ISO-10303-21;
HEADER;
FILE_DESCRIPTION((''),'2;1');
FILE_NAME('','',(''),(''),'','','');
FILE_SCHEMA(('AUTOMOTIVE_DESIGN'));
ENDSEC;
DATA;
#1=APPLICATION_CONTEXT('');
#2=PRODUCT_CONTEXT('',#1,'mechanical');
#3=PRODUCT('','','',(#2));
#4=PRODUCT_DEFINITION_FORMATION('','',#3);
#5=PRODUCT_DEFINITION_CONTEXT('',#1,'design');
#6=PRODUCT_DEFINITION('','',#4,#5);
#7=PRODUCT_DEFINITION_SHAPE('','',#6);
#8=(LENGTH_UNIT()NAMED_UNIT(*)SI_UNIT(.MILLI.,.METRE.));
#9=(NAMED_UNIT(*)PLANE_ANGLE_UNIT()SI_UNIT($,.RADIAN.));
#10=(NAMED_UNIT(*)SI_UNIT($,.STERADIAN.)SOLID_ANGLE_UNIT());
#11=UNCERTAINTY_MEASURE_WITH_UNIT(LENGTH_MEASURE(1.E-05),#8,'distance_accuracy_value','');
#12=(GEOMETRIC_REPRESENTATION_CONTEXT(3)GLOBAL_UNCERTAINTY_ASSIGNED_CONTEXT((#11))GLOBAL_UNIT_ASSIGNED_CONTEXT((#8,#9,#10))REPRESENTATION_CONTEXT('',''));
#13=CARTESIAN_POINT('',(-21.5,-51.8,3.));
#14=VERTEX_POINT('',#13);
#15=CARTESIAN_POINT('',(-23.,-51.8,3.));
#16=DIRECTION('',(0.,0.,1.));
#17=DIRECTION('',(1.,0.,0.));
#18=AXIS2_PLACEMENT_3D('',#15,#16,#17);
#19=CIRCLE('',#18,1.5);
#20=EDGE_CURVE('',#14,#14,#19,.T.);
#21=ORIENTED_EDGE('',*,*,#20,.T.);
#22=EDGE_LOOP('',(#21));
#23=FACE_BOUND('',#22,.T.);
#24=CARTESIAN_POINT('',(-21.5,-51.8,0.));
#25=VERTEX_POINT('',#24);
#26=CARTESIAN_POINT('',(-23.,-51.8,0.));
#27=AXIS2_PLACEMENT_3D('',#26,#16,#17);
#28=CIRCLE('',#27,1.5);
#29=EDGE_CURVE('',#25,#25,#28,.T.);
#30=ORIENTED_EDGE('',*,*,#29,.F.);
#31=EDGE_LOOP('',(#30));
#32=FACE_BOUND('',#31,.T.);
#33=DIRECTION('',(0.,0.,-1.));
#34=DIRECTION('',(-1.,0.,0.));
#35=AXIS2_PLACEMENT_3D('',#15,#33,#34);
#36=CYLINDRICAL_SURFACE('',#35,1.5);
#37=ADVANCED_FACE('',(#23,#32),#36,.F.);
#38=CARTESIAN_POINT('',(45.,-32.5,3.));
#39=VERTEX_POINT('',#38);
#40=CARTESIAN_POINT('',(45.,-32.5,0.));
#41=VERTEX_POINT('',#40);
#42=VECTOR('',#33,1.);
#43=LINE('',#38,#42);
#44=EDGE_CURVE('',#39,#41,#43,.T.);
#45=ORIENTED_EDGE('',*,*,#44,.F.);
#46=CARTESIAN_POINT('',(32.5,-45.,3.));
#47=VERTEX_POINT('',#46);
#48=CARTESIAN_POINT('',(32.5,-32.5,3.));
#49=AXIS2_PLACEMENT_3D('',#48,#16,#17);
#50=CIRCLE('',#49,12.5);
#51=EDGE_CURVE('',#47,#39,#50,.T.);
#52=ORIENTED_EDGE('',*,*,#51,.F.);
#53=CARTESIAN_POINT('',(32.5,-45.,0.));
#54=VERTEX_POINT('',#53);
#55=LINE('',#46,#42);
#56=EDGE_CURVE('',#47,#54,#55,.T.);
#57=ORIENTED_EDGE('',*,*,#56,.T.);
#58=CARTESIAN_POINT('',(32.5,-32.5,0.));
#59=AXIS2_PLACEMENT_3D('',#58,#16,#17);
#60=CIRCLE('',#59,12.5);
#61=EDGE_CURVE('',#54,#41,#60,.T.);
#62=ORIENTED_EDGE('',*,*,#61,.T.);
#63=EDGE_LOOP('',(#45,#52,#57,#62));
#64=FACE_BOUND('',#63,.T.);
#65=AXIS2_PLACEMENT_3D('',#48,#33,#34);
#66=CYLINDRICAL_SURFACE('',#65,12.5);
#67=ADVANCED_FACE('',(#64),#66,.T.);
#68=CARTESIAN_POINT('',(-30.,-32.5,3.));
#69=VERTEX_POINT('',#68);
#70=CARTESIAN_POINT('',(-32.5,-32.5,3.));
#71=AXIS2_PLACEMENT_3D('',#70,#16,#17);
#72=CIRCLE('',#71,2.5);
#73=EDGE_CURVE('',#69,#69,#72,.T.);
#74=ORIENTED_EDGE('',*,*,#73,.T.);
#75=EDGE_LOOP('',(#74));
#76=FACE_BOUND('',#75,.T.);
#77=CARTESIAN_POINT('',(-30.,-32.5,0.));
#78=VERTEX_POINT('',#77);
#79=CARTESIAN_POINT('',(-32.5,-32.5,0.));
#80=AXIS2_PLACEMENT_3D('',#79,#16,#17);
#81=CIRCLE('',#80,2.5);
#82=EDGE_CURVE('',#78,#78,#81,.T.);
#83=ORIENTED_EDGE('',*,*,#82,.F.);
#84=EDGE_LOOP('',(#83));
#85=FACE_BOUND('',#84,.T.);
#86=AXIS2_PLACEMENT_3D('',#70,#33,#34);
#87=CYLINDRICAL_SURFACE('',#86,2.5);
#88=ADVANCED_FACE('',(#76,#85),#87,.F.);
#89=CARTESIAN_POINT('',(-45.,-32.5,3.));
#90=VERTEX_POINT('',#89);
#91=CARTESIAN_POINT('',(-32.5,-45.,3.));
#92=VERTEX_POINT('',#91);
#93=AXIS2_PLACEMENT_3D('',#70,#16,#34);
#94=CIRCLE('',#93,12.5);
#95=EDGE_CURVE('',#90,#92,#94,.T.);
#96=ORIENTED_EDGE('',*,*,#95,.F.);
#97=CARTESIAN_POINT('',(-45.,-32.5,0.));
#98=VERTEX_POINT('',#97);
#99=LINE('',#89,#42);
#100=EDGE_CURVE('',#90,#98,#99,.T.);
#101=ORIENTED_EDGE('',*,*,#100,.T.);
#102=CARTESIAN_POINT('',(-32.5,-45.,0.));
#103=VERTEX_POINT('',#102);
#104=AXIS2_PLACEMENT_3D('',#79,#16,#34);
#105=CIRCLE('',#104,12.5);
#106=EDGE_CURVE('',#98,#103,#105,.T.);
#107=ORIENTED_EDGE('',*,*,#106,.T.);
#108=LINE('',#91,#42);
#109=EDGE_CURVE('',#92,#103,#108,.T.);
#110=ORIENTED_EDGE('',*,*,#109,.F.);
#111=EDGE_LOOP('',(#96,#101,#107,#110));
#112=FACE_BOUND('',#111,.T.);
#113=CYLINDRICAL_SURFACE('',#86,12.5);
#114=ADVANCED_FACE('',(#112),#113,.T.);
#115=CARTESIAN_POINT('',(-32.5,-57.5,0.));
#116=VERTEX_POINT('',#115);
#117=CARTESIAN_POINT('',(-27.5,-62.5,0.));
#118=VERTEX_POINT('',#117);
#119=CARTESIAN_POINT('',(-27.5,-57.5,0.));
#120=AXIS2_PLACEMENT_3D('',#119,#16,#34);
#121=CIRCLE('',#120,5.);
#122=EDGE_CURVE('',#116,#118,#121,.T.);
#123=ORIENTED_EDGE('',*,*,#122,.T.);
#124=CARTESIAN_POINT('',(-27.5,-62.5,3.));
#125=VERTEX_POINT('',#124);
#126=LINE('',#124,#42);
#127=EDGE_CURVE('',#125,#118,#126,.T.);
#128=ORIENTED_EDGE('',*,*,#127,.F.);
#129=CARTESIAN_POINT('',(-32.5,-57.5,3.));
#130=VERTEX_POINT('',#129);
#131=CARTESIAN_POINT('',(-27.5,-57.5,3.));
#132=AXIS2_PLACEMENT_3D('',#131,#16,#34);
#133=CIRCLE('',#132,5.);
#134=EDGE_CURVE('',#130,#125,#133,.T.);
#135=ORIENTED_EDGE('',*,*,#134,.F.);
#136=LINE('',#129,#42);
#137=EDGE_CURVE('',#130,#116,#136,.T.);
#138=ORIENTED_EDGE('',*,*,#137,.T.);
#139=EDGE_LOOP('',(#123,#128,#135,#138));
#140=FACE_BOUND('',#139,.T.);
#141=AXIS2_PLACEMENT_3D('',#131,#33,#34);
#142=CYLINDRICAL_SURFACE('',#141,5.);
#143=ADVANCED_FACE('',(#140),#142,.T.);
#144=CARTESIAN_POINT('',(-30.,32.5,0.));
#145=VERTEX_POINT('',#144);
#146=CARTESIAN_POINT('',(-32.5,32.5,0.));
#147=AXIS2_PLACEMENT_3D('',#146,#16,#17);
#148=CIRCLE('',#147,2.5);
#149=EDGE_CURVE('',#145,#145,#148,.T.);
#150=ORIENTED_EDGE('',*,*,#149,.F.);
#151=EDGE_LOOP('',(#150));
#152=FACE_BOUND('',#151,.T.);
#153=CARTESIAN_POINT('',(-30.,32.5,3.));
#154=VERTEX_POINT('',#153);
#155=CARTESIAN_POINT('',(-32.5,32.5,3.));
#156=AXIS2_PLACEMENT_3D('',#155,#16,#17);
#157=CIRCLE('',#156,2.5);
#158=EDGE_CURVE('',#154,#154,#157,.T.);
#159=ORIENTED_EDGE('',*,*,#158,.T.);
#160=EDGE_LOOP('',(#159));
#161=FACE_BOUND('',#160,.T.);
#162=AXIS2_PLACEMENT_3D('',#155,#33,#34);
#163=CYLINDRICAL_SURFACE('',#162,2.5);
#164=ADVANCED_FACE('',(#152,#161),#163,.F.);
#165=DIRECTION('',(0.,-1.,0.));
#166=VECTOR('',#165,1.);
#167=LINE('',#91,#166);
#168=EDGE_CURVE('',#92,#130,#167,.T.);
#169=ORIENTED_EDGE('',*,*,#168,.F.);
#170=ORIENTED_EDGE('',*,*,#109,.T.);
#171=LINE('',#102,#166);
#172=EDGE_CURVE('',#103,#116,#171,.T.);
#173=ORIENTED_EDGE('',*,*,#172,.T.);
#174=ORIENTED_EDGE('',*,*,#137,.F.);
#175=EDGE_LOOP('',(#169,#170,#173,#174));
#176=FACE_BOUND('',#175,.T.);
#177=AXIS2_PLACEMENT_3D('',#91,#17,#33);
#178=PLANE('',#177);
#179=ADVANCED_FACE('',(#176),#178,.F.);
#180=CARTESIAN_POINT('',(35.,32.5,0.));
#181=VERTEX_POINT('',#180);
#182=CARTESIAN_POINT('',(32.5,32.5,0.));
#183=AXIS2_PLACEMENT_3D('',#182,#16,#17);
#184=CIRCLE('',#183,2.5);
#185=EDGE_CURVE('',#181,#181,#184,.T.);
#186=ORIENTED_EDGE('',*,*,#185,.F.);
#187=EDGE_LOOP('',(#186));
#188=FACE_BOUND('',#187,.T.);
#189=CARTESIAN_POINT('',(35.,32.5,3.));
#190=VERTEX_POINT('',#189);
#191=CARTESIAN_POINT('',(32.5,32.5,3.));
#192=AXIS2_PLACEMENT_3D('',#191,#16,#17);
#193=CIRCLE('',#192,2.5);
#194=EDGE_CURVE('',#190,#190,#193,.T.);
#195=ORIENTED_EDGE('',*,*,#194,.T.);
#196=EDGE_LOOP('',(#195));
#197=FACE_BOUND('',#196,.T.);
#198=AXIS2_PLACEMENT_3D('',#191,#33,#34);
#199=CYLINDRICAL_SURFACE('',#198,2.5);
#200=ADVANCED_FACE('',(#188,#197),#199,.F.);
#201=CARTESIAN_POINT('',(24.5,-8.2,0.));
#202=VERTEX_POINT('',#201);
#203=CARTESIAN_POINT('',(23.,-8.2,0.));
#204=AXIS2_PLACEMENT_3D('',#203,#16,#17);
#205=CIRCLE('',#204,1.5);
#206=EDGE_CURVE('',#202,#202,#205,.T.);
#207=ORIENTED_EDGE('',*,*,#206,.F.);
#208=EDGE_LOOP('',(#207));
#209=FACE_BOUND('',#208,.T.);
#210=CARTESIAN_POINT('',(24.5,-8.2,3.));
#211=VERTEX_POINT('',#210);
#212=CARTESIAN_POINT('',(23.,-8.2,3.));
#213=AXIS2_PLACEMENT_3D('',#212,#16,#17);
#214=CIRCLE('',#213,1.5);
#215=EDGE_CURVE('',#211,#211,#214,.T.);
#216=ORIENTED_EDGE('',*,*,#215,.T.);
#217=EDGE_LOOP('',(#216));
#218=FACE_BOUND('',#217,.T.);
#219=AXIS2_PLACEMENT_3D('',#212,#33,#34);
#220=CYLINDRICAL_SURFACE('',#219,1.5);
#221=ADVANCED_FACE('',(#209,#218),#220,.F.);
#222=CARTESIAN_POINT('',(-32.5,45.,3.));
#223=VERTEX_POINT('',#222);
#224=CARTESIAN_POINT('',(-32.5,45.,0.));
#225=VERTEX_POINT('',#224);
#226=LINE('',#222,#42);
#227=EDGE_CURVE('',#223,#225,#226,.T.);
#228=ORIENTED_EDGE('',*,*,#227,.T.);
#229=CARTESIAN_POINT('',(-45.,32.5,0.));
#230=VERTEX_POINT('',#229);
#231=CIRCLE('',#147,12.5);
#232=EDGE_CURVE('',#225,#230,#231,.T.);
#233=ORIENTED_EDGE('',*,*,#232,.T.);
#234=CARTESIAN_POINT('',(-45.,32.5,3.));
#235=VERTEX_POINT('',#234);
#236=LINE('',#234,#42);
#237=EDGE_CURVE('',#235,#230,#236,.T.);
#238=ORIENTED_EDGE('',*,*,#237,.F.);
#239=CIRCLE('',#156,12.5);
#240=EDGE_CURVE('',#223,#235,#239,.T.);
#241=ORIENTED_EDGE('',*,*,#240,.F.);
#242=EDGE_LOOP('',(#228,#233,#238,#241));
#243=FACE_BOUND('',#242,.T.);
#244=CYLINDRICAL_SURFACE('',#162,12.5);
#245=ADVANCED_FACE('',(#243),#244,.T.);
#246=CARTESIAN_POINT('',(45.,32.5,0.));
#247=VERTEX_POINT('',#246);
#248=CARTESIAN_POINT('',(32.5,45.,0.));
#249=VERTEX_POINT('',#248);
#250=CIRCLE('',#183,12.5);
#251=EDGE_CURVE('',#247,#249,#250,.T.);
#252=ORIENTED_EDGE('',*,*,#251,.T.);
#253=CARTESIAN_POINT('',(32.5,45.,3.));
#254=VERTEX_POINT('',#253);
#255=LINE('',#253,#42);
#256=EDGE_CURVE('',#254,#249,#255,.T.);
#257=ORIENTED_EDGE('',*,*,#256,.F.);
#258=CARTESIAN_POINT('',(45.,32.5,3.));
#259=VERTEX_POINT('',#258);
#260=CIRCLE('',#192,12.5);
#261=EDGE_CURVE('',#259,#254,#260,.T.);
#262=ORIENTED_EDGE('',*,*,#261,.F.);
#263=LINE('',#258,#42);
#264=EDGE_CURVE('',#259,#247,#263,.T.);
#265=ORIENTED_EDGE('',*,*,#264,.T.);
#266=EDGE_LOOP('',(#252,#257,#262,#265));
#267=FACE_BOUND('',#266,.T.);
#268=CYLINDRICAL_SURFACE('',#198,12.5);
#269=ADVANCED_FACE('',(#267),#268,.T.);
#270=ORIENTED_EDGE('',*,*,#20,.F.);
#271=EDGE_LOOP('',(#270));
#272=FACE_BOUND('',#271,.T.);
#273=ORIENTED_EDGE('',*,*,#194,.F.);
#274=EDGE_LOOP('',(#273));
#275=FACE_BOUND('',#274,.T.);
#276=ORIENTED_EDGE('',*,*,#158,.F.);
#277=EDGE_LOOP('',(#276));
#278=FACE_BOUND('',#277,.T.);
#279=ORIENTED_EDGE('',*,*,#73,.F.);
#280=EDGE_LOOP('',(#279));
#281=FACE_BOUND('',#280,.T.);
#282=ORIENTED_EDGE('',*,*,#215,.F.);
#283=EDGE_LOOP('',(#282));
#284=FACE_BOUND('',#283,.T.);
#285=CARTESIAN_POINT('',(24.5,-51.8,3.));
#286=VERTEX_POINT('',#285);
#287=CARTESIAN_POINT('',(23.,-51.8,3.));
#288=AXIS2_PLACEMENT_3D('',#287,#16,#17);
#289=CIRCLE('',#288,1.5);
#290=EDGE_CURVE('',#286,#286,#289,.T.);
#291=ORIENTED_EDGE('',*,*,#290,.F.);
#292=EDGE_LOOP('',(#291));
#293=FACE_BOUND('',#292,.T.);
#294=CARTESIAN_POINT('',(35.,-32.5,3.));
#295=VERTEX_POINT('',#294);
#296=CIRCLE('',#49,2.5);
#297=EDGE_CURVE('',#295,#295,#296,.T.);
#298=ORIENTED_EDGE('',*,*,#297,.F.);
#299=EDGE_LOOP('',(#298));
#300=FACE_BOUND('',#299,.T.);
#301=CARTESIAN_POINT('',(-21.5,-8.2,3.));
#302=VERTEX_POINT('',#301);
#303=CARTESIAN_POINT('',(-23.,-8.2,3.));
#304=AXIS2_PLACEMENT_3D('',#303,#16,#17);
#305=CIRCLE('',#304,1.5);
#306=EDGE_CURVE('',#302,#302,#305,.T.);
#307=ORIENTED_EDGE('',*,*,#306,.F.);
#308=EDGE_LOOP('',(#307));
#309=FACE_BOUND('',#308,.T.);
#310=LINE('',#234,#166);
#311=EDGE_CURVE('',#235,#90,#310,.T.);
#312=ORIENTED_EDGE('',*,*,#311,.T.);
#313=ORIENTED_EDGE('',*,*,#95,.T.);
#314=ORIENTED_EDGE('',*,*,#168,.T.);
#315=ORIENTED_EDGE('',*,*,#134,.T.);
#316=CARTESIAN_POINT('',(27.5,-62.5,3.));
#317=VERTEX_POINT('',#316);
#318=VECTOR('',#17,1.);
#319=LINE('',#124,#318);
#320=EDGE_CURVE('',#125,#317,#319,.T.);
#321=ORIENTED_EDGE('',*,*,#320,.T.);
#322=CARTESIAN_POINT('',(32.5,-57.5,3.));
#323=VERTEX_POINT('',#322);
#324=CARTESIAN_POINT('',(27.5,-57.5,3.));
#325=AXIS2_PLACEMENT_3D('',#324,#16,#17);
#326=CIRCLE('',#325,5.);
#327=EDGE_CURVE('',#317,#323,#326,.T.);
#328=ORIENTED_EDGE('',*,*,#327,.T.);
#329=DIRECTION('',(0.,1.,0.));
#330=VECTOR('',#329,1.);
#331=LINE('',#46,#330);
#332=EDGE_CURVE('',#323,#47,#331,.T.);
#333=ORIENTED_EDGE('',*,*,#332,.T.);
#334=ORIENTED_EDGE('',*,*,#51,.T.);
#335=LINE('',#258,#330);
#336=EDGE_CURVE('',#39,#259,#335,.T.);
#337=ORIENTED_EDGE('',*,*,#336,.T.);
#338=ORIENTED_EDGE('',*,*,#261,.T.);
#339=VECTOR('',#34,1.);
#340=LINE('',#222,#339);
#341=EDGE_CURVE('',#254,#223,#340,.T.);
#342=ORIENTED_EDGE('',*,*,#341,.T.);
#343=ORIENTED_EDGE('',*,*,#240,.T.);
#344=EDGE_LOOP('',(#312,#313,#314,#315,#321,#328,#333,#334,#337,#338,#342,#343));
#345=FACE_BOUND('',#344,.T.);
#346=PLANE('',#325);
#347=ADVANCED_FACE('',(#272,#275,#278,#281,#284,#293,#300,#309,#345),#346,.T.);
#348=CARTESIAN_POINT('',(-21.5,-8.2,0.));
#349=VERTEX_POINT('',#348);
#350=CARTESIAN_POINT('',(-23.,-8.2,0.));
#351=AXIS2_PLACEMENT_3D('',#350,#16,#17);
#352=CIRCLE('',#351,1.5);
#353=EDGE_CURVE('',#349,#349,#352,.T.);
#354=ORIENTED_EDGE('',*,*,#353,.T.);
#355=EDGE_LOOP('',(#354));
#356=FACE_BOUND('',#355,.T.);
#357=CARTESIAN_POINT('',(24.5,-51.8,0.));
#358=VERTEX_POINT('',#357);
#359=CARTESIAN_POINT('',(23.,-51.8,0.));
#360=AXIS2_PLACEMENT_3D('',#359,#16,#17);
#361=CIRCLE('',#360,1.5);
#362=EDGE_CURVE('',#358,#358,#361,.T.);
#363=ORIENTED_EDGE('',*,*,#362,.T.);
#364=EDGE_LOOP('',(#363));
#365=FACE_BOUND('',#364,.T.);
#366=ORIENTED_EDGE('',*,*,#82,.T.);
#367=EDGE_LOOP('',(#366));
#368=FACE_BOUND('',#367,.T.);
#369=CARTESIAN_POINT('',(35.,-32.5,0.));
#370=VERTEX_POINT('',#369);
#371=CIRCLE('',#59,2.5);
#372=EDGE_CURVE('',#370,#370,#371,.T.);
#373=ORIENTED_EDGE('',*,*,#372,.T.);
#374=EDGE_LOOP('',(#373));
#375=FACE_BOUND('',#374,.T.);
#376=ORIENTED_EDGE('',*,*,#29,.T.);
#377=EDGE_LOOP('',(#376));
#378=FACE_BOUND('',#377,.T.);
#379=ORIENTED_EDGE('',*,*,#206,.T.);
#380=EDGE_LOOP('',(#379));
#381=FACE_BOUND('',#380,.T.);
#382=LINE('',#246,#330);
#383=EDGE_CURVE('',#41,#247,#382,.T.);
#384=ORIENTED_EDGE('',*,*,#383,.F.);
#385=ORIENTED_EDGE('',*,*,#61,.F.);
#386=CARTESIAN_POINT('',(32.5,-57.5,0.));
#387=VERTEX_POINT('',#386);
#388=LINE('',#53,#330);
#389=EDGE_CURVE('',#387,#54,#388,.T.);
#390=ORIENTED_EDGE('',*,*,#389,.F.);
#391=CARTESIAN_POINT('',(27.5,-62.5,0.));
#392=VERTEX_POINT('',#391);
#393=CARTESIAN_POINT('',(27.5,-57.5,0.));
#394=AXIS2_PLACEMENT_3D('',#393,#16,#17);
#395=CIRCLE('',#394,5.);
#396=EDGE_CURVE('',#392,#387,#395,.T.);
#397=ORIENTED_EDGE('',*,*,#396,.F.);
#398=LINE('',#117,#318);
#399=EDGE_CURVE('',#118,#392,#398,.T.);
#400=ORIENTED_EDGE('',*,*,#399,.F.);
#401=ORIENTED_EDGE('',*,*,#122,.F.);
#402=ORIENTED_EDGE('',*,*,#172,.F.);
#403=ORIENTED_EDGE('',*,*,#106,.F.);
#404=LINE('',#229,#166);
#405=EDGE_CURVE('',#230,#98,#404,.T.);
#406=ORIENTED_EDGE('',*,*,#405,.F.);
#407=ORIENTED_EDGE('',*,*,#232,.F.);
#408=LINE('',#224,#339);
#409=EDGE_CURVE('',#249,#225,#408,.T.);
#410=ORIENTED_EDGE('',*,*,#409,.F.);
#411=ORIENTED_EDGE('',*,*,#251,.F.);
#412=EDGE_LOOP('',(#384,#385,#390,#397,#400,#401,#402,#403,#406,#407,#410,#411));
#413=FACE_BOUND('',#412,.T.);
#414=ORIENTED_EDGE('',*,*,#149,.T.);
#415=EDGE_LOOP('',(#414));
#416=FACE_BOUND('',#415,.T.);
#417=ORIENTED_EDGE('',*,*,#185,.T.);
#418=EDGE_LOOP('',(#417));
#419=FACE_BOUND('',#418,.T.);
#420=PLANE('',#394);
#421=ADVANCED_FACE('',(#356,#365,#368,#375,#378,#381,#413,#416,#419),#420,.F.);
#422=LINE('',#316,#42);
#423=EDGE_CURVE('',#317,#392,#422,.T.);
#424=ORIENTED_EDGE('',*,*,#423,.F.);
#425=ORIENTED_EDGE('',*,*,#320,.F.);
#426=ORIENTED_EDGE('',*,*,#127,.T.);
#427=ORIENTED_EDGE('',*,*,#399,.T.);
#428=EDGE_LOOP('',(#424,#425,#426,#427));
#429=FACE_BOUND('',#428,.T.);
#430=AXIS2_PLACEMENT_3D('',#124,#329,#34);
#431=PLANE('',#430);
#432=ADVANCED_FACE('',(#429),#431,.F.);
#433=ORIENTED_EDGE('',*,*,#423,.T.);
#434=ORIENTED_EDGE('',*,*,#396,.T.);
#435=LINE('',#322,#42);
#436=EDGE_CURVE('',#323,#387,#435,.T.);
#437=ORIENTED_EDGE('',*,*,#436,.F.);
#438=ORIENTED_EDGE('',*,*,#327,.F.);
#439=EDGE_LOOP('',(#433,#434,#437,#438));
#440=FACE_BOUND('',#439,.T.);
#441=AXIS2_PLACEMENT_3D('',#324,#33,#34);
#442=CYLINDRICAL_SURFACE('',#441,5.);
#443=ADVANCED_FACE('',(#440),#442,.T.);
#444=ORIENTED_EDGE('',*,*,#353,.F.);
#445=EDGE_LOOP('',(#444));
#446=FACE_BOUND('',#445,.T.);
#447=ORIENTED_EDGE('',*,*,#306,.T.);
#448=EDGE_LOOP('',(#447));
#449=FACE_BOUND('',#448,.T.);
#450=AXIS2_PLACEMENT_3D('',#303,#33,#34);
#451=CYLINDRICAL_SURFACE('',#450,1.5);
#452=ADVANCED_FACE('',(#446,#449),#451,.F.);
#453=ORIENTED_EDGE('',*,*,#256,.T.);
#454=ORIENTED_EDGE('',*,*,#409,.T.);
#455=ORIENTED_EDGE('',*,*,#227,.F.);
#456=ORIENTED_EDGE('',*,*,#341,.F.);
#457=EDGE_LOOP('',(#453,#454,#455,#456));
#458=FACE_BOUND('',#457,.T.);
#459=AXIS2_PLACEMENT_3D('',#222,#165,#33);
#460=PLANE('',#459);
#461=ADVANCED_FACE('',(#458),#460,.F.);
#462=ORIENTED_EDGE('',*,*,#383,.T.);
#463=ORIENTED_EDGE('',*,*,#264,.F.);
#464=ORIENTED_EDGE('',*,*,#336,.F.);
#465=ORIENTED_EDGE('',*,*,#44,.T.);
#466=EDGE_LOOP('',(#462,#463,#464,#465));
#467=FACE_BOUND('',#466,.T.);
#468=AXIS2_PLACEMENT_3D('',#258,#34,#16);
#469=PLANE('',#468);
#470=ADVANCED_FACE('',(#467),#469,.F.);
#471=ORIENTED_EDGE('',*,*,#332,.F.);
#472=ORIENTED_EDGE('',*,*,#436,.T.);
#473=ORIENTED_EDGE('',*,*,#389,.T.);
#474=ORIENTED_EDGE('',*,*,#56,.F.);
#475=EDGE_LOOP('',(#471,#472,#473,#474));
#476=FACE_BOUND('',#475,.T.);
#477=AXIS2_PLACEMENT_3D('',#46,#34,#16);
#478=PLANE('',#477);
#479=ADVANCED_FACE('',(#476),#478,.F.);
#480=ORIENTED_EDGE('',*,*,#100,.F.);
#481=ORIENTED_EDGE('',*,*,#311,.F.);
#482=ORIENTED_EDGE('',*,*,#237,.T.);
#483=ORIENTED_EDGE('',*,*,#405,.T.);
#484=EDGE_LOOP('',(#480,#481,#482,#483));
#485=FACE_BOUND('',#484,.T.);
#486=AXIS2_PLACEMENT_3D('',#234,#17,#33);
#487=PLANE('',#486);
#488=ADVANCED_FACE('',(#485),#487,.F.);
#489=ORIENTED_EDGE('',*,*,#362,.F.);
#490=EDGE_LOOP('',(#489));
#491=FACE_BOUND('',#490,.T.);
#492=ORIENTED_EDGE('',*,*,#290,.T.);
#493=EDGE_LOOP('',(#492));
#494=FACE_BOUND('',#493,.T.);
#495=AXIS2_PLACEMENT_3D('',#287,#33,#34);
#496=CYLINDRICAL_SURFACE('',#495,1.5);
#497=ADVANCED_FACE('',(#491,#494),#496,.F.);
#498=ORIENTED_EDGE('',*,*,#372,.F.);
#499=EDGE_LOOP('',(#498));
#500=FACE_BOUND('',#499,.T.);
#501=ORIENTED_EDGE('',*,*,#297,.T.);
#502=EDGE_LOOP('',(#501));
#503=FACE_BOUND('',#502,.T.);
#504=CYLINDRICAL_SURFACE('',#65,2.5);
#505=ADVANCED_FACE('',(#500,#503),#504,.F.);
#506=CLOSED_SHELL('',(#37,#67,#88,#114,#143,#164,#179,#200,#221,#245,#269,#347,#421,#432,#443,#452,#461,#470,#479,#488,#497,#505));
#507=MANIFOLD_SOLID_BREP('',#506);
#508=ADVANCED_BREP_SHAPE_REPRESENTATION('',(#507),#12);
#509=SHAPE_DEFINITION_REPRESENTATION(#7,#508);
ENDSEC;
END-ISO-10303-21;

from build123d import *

# Parameters (mm, degrees)
SKETCH1_R           = 1.5
SKETCH1_R_2         = 2.5
BOSS_EXTRUDE1_DEPTH = 3


with BuildPart() as part:
    # Sketch1 → Boss-Extrude1 (new body)
    with BuildSketch(Plane.XY):
        with BuildLine():
            Line((-32.5, 45), (32.5, 45))
            ThreePointArc((32.5, 45), (41.338834765, 41.338834765), (45, 32.5))
            Line((45, 32.5), (45, -32.5))
            ThreePointArc((45, -32.5), (41.338834765, -41.338834765), (32.5, -45))
            Line((32.5, -45), (32.5, -57.5))
            ThreePointArc((32.5, -57.5), (31.035533906, -61.035533906), (27.5, -62.5))
            Line((27.5, -62.5), (-27.5, -62.5))
            ThreePointArc((-27.5, -62.5), (-31.035533906, -61.035533906), (-32.5, -57.5))
            Line((-32.5, -57.5), (-32.5, -45))
            ThreePointArc((-32.5, -45), (-41.338834765, -41.338834765), (-45, -32.5))
            Line((-45, -32.5), (-45, 32.5))
            ThreePointArc((-45, 32.5), (-41.338834765, 41.338834765), (-32.5, 45))
        make_face()
        with Locations((-23, -8.2)):
            Circle(SKETCH1_R, mode=Mode.SUBTRACT)
        with Locations((23, -8.2)):
            Circle(SKETCH1_R, mode=Mode.SUBTRACT)
        with Locations((23, -51.8)):
            Circle(SKETCH1_R, mode=Mode.SUBTRACT)
        with Locations((-23, -51.8)):
            Circle(SKETCH1_R, mode=Mode.SUBTRACT)
        with Locations((-32.5, 32.5)):
            Circle(SKETCH1_R_2, mode=Mode.SUBTRACT)
        with Locations((32.5, 32.5)):
            Circle(SKETCH1_R_2, mode=Mode.SUBTRACT)
        with Locations((32.5, -32.5)):
            Circle(SKETCH1_R_2, mode=Mode.SUBTRACT)
        with Locations((-32.5, -32.5)):
            Circle(SKETCH1_R_2, mode=Mode.SUBTRACT)
    extrude(amount=BOSS_EXTRUDE1_DEPTH)


solid = part.part
